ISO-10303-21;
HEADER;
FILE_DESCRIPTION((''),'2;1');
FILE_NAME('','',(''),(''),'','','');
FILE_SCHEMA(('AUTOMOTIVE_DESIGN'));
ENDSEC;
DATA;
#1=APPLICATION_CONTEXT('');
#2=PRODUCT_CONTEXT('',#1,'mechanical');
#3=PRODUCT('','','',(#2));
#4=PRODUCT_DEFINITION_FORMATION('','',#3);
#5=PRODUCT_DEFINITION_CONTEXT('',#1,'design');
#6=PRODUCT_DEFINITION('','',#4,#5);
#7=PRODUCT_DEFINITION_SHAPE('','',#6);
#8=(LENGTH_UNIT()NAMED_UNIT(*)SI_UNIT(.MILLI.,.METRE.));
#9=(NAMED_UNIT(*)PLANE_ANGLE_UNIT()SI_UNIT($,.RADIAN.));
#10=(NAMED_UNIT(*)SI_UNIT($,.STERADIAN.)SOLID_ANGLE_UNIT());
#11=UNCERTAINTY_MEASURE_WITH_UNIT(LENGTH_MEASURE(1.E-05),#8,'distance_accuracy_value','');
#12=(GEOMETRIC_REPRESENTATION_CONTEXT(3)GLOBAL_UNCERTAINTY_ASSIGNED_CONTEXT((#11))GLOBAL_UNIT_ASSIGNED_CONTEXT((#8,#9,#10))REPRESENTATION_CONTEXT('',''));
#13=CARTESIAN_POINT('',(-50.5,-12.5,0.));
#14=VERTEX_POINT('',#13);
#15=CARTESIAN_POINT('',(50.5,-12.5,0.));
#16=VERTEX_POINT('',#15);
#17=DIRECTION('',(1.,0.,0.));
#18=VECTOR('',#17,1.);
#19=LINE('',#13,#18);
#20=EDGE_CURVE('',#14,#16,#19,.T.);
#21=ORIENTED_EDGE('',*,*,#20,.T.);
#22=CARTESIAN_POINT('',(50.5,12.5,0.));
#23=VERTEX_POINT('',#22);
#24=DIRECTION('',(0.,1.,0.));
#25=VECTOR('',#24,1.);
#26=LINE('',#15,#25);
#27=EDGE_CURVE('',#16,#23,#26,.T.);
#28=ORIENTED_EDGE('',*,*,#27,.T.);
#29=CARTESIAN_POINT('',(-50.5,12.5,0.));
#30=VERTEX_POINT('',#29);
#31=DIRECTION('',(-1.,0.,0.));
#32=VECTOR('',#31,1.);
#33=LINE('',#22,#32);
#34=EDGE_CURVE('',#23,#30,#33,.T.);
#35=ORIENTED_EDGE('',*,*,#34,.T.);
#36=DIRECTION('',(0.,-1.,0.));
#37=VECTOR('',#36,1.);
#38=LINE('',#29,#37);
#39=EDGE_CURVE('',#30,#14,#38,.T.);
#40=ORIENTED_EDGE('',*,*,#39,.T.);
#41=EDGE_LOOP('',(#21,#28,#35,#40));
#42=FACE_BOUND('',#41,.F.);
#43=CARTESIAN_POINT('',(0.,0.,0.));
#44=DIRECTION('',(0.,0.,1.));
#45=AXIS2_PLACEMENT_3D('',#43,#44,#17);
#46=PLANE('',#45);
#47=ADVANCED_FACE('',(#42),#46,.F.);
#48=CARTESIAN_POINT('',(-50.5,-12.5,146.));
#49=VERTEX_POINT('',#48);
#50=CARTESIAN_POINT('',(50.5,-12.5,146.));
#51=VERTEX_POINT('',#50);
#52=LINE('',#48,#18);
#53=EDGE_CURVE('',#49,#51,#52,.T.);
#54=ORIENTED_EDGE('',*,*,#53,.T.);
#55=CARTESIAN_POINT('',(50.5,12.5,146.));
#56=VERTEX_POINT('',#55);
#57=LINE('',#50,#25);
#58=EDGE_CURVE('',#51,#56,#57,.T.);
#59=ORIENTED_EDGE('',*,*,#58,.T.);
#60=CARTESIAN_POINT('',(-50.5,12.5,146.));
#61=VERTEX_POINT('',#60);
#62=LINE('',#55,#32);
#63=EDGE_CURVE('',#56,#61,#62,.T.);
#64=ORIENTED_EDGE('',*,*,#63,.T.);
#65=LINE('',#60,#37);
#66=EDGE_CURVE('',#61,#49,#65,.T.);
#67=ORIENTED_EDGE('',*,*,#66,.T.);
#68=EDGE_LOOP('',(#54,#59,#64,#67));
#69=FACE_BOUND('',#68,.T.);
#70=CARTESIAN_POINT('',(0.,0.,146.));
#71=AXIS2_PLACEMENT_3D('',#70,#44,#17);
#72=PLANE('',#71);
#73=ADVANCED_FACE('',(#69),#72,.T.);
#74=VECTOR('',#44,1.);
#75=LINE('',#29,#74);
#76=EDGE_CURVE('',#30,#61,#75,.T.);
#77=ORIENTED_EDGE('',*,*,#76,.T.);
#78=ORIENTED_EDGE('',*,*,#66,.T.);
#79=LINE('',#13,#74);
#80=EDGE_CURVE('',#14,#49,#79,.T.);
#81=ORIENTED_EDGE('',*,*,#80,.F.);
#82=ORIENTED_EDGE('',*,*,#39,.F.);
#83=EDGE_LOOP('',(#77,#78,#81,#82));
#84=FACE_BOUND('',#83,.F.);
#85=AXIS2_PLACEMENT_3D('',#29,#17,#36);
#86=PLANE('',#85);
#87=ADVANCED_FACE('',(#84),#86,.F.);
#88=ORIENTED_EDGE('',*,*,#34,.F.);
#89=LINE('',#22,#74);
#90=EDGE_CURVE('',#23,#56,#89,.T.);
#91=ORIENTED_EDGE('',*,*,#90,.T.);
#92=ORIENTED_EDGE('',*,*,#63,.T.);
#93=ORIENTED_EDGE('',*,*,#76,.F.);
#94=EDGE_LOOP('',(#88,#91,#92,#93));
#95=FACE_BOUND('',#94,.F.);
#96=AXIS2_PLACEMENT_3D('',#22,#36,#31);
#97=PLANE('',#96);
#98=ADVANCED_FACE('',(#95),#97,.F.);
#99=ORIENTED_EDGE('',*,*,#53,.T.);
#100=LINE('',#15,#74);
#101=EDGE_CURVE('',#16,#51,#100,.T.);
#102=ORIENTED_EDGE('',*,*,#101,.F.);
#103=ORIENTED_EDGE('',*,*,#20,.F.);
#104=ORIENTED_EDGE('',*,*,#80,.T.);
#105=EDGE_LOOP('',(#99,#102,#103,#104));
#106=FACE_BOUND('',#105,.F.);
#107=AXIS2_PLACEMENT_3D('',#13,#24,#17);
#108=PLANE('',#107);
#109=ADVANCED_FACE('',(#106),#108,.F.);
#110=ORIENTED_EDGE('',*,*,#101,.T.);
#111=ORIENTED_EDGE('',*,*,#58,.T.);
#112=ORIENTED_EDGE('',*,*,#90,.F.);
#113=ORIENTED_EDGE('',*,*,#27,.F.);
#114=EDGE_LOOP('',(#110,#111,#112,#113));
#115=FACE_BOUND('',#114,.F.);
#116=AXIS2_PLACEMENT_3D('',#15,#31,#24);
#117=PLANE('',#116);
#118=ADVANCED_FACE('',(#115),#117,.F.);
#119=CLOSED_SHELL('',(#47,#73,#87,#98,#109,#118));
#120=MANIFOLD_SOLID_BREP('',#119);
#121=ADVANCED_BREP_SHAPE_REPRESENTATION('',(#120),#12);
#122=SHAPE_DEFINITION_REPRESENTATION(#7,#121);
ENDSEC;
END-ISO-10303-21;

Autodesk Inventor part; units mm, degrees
ref_plane "YZ Plane" through (0, 0, 0) normal (1, 0, 0) x (0, 1, 0)
ref_plane "XZ Plane" through (0, 0, 0) normal (0, 1, 0) x (-1, 0, 0)
ref_plane "XY Plane" through (0, 0, 0) normal (0, 0, 1) x (1, 0, 0)
sketch "Sketch1" plane through (0, 0, 0) normal (0, 0, 1) x (1, 0, 0)
  line L0 (-50.5, -12.5) -> (50.5, -12.5)
  line L1 (50.5, -12.5) -> (50.5, 12.5)
  line L2 (50.5, 12.5) -> (-50.5, 12.5)
  line L3 (-50.5, 12.5) -> (-50.5, -12.5)
  line L4 (-50.5, -12.5) -> (50.5, 12.5) construction
  line L5 (50.5, -12.5) -> (-50.5, 12.5) construction
  point P0 (0, 0)
  dimension "d0" = 101
  dimension "d1" = 25
extrude "Extrusion1" add sketch "Sketch1" along normal blind 146
sketch "Sketch2" plane through (0, 0, 146) normal (0, 0, 1) x (1, 0, 0)
  line L0 (-50.5, -12.5) -> (50.5, -12.5) projected
  line L1 (50.5, -12.5) -> (50.5, 12.5) projected
  line L2 (50.5, 12.5) -> (-50.5, 12.5) projected
  line L3 (-50.5, 12.5) -> (-50.5, -12.5) projected
  point P0 (0, 0)
  dimension "d4" = 101
  dimension "d5" = 25
properties part number "hdd_standard"
